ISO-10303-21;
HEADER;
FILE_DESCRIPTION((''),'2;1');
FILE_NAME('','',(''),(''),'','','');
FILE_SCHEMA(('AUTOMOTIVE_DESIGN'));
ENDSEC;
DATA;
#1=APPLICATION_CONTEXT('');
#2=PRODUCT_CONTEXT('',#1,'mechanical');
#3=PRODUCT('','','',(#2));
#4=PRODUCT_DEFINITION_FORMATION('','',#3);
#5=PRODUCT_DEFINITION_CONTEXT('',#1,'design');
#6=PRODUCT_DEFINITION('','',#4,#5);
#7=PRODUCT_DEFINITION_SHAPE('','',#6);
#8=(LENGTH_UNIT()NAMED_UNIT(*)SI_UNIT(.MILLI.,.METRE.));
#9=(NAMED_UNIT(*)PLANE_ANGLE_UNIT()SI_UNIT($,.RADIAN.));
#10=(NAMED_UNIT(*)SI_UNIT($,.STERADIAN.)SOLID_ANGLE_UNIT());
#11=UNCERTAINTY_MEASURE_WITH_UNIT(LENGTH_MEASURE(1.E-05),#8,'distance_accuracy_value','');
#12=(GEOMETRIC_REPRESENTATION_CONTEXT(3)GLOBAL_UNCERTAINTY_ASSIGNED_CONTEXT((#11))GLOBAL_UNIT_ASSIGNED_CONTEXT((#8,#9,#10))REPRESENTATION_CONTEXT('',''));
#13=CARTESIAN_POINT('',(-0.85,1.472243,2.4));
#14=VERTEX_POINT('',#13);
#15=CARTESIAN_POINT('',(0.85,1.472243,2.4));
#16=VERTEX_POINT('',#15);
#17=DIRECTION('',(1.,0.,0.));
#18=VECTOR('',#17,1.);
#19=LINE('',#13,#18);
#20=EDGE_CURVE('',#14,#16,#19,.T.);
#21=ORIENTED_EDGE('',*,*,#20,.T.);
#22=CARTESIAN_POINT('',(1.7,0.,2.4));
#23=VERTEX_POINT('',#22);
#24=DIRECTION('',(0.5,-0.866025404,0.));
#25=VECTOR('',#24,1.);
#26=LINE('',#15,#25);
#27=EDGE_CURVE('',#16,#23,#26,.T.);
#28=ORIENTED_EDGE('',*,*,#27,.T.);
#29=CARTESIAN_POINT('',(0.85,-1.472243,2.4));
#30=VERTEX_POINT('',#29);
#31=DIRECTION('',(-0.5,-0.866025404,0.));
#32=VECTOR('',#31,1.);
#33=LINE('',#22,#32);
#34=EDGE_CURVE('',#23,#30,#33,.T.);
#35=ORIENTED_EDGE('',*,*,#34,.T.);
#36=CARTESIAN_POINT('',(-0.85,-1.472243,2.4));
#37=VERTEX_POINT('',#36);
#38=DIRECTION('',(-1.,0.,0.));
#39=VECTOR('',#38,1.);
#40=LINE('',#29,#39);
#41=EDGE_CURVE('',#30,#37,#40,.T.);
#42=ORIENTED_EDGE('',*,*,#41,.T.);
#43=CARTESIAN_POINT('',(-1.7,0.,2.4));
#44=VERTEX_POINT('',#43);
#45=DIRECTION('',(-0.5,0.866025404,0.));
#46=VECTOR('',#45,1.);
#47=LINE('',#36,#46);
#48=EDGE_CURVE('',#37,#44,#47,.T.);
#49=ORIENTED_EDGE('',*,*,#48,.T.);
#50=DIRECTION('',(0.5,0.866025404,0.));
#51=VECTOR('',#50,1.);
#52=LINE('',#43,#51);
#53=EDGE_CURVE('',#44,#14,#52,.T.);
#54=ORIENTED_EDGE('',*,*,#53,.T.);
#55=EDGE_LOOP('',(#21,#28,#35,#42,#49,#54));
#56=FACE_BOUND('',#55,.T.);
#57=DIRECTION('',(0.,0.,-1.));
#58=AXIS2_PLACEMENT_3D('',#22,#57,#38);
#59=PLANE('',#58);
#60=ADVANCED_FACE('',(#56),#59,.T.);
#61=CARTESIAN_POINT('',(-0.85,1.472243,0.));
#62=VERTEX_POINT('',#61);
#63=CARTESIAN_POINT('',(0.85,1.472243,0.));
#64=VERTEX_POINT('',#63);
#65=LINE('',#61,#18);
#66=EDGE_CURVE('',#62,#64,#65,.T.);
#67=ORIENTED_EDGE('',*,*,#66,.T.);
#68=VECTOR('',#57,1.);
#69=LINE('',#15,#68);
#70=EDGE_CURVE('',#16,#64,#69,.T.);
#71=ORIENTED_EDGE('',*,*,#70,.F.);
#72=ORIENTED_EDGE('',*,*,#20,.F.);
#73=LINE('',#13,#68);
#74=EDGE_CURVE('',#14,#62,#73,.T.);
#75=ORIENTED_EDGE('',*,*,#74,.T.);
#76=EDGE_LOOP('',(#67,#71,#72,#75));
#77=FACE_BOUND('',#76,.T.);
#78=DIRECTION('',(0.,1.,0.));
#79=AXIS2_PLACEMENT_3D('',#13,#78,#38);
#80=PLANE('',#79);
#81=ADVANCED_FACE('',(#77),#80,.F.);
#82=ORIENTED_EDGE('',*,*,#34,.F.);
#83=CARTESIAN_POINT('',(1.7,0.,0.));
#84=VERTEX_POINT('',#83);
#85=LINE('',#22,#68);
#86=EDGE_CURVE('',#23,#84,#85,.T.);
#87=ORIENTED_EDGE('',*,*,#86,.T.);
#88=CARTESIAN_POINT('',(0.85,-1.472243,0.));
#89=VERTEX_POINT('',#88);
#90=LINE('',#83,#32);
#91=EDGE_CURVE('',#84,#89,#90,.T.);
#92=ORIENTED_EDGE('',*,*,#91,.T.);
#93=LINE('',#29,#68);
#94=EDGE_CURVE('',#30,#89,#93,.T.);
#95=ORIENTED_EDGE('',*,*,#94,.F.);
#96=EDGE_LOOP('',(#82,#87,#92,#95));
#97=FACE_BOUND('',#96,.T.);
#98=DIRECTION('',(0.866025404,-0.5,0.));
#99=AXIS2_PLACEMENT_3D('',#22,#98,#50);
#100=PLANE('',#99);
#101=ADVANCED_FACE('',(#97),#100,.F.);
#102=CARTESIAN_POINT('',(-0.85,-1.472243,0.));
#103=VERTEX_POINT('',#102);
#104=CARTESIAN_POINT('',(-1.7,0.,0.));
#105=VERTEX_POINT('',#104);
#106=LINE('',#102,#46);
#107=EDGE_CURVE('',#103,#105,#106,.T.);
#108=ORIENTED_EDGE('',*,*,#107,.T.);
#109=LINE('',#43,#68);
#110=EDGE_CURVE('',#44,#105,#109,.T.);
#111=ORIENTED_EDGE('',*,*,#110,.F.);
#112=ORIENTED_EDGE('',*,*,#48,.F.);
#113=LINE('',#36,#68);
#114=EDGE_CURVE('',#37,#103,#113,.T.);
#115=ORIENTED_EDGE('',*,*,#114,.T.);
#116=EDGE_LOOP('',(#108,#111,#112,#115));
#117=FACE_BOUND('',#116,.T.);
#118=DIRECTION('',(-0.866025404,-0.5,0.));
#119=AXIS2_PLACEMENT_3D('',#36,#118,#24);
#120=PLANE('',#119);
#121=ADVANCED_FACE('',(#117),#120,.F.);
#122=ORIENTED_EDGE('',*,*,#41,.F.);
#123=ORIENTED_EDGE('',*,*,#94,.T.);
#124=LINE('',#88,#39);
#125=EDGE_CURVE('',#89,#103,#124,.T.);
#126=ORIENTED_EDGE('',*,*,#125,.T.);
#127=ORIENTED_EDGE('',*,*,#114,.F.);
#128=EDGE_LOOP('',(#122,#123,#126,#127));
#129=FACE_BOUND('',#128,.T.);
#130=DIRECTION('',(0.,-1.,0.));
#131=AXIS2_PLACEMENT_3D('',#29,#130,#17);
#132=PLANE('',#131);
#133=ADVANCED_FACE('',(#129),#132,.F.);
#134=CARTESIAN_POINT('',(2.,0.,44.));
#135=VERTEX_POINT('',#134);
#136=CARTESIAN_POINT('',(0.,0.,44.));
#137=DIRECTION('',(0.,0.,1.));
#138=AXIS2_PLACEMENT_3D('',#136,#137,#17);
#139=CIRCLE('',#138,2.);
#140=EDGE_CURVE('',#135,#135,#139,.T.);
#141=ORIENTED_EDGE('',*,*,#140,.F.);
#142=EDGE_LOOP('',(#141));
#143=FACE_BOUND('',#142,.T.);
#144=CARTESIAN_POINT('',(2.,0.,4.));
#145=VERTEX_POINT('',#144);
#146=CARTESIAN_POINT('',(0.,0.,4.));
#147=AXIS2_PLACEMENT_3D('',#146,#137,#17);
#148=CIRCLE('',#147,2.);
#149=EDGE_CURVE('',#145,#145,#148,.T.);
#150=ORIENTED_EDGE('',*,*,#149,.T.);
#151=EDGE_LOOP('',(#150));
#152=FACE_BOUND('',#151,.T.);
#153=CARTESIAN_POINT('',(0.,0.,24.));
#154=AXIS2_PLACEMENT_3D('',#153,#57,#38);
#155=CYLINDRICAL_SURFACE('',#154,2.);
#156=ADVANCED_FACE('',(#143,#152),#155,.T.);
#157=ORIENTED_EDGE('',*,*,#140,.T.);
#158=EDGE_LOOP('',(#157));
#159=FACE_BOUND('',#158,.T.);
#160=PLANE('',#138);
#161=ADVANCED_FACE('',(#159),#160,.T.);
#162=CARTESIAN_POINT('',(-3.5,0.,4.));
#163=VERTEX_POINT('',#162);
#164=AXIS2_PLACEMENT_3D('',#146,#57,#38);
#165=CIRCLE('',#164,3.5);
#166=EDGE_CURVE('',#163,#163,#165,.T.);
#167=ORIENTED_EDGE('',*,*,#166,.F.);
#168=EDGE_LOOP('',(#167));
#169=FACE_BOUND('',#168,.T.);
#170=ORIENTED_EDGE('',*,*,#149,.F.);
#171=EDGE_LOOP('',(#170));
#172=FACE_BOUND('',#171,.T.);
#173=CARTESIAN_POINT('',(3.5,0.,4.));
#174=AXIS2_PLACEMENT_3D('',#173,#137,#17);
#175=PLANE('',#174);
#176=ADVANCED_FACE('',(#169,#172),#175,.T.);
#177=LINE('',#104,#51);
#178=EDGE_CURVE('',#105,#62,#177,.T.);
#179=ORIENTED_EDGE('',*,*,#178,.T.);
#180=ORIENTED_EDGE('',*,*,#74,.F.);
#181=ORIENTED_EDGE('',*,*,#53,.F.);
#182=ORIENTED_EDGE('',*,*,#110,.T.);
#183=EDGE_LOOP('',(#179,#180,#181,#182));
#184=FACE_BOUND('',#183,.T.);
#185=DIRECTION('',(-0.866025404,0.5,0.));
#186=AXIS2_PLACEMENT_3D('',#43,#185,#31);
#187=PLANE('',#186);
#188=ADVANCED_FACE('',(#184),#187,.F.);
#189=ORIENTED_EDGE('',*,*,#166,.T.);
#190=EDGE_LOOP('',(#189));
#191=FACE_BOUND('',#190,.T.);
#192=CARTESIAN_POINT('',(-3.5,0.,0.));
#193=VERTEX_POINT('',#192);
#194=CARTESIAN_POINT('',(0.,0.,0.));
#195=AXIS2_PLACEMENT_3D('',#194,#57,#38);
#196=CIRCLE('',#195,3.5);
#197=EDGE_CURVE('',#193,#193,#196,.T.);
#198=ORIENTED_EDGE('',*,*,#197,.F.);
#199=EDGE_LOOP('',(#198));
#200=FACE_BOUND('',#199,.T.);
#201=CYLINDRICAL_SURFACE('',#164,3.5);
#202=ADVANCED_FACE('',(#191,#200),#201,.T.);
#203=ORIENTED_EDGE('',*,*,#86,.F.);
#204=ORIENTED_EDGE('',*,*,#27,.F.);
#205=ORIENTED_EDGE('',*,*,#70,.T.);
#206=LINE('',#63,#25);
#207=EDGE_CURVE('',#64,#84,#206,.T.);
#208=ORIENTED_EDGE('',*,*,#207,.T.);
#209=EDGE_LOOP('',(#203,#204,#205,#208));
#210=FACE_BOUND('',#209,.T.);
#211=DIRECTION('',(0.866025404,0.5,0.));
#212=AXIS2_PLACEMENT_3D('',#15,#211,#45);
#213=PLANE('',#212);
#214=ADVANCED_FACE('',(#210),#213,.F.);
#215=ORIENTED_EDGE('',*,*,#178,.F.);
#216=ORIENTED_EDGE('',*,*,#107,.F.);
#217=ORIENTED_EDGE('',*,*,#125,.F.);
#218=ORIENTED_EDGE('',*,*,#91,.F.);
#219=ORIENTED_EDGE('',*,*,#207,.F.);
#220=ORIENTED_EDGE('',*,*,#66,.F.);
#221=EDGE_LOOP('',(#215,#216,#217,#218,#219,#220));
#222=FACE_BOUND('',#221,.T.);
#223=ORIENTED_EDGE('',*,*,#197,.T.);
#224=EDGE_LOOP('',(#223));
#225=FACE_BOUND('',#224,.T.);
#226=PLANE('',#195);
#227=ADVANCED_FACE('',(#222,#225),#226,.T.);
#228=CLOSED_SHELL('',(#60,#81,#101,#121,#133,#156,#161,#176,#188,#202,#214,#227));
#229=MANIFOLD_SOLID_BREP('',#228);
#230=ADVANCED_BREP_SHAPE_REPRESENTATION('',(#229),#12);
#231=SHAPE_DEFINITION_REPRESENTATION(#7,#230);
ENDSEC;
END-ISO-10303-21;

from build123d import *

# Parameters (mm, degrees)
SKETCH1_W           = 3.5
SKETCH1_H           = 4
SKETCH2_R           = 2
BOSS_EXTRUDE1_DEPTH = 20
SKETCH3_R           = 2
BOSS_EXTRUDE2_DEPTH = 20
CUT_EXTRUDE1_DEPTH  = 2.4


with BuildPart() as part:
    # Sketch1 → Revolve1 (revolve)
    with BuildSketch(Plane.XZ, mode=Mode.PRIVATE) as revolve1_sk:
        with Locations((1.75, 2)):
            Rectangle(SKETCH1_W, SKETCH1_H)
    revolve(revolve1_sk.sketch.rotate(Axis((0, 0, 4), (0, 0, -1)), 180), axis=Axis((0, 0, 4), (0, 0, -1)))

    # Sketch2 → Boss-Extrude1 (add)
    with BuildSketch(Plane.XY.offset(4)):
        Circle(SKETCH2_R)
    extrude(amount=BOSS_EXTRUDE1_DEPTH)

    # Sketch3 → Boss-Extrude2 (add)
    with BuildSketch(Plane.XY.offset(24)):
        Circle(SKETCH3_R)
    extrude(amount=BOSS_EXTRUDE2_DEPTH)

    # Sketch4 → Cut-Extrude1 (cut)
    with BuildSketch(Plane(origin=(0, 0, 0), x_dir=(-1, 0, 0), z_dir=(0, 0, -1))):
        Polygon((-1.7, 0), (-0.85, -1.472243186), (0.85, -1.472243186), (1.7, 0), (0.85, 1.472243186), (-0.85, 1.472243186), align=None)
    extrude(amount=-CUT_EXTRUDE1_DEPTH, mode=Mode.SUBTRACT)


solid = part.part
